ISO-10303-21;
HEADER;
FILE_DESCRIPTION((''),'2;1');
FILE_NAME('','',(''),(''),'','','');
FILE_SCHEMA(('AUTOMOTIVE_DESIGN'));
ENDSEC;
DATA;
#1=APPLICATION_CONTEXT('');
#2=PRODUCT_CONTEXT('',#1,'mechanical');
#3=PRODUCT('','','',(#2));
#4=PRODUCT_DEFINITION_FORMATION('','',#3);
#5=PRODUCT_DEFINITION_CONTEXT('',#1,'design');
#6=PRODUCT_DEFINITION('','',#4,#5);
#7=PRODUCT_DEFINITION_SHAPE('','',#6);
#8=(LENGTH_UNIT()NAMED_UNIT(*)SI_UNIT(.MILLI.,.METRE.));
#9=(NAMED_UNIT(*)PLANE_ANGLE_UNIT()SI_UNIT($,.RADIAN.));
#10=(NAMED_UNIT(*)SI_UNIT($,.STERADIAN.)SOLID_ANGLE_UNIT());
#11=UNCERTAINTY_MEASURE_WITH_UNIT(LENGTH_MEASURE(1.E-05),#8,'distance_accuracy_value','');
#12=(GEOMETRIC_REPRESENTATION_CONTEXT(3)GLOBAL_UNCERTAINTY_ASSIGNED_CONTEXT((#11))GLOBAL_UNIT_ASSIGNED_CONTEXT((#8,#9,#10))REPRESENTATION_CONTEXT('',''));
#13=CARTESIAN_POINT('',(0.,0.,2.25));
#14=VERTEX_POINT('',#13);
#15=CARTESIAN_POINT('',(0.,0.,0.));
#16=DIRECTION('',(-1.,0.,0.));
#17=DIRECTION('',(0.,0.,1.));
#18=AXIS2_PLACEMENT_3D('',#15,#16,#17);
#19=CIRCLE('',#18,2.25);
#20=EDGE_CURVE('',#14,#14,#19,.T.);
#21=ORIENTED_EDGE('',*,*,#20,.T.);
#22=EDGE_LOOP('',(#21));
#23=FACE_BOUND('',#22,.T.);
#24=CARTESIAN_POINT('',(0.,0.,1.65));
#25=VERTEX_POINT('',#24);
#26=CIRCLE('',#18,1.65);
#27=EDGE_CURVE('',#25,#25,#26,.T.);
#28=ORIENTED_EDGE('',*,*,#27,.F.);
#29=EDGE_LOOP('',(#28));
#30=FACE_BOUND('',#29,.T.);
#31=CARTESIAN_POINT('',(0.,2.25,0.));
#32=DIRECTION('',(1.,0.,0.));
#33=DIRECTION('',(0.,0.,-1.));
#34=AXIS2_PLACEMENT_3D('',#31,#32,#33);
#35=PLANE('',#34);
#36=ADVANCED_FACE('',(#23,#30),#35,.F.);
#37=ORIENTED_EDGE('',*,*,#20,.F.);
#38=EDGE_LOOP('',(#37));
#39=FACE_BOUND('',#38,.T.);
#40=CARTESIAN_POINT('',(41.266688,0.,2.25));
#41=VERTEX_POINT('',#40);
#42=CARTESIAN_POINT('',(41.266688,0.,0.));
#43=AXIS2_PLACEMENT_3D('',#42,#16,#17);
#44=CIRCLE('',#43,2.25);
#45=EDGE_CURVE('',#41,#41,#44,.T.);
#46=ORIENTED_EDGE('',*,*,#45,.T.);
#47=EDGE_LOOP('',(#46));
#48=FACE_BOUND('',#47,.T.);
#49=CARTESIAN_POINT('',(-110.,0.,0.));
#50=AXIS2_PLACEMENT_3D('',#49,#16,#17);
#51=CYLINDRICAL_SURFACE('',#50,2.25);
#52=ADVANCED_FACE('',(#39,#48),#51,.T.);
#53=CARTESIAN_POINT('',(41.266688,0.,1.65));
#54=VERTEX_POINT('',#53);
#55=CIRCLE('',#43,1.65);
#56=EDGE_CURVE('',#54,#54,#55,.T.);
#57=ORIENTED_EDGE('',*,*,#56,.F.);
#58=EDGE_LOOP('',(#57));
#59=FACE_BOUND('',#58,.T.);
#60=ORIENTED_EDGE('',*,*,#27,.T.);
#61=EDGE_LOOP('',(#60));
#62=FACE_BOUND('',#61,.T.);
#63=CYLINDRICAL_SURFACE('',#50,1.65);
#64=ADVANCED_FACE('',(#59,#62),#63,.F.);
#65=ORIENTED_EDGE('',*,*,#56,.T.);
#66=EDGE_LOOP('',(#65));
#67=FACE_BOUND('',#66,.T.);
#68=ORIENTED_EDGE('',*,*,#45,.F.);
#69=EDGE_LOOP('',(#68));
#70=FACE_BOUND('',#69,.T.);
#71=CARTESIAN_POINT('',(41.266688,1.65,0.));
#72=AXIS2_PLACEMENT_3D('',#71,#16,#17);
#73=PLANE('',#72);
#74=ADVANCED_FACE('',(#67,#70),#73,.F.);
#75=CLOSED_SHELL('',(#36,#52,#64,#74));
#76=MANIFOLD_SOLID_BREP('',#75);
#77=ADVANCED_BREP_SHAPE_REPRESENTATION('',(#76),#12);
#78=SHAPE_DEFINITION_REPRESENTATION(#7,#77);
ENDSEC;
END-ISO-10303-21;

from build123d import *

# Parameters (mm, degrees)
AXIAL_PROFILE_MM_W = 41.266688464
AXIAL_PROFILE_MM_H = 0.6


with BuildPart() as part:
    # Axial profile (mm) → Full revolution (revolve)
    with BuildSketch(Plane.XY, mode=Mode.PRIVATE) as full_revolution_sk:
        with Locations((20.633344232, 1.95)):
            Rectangle(AXIAL_PROFILE_MM_W, AXIAL_PROFILE_MM_H)
    revolve(full_revolution_sk.sketch.rotate(Axis((-110, 0, 0), (1, 0, 0)), 90), axis=Axis((-110, 0, 0), (1, 0, 0)))


solid = part.part
